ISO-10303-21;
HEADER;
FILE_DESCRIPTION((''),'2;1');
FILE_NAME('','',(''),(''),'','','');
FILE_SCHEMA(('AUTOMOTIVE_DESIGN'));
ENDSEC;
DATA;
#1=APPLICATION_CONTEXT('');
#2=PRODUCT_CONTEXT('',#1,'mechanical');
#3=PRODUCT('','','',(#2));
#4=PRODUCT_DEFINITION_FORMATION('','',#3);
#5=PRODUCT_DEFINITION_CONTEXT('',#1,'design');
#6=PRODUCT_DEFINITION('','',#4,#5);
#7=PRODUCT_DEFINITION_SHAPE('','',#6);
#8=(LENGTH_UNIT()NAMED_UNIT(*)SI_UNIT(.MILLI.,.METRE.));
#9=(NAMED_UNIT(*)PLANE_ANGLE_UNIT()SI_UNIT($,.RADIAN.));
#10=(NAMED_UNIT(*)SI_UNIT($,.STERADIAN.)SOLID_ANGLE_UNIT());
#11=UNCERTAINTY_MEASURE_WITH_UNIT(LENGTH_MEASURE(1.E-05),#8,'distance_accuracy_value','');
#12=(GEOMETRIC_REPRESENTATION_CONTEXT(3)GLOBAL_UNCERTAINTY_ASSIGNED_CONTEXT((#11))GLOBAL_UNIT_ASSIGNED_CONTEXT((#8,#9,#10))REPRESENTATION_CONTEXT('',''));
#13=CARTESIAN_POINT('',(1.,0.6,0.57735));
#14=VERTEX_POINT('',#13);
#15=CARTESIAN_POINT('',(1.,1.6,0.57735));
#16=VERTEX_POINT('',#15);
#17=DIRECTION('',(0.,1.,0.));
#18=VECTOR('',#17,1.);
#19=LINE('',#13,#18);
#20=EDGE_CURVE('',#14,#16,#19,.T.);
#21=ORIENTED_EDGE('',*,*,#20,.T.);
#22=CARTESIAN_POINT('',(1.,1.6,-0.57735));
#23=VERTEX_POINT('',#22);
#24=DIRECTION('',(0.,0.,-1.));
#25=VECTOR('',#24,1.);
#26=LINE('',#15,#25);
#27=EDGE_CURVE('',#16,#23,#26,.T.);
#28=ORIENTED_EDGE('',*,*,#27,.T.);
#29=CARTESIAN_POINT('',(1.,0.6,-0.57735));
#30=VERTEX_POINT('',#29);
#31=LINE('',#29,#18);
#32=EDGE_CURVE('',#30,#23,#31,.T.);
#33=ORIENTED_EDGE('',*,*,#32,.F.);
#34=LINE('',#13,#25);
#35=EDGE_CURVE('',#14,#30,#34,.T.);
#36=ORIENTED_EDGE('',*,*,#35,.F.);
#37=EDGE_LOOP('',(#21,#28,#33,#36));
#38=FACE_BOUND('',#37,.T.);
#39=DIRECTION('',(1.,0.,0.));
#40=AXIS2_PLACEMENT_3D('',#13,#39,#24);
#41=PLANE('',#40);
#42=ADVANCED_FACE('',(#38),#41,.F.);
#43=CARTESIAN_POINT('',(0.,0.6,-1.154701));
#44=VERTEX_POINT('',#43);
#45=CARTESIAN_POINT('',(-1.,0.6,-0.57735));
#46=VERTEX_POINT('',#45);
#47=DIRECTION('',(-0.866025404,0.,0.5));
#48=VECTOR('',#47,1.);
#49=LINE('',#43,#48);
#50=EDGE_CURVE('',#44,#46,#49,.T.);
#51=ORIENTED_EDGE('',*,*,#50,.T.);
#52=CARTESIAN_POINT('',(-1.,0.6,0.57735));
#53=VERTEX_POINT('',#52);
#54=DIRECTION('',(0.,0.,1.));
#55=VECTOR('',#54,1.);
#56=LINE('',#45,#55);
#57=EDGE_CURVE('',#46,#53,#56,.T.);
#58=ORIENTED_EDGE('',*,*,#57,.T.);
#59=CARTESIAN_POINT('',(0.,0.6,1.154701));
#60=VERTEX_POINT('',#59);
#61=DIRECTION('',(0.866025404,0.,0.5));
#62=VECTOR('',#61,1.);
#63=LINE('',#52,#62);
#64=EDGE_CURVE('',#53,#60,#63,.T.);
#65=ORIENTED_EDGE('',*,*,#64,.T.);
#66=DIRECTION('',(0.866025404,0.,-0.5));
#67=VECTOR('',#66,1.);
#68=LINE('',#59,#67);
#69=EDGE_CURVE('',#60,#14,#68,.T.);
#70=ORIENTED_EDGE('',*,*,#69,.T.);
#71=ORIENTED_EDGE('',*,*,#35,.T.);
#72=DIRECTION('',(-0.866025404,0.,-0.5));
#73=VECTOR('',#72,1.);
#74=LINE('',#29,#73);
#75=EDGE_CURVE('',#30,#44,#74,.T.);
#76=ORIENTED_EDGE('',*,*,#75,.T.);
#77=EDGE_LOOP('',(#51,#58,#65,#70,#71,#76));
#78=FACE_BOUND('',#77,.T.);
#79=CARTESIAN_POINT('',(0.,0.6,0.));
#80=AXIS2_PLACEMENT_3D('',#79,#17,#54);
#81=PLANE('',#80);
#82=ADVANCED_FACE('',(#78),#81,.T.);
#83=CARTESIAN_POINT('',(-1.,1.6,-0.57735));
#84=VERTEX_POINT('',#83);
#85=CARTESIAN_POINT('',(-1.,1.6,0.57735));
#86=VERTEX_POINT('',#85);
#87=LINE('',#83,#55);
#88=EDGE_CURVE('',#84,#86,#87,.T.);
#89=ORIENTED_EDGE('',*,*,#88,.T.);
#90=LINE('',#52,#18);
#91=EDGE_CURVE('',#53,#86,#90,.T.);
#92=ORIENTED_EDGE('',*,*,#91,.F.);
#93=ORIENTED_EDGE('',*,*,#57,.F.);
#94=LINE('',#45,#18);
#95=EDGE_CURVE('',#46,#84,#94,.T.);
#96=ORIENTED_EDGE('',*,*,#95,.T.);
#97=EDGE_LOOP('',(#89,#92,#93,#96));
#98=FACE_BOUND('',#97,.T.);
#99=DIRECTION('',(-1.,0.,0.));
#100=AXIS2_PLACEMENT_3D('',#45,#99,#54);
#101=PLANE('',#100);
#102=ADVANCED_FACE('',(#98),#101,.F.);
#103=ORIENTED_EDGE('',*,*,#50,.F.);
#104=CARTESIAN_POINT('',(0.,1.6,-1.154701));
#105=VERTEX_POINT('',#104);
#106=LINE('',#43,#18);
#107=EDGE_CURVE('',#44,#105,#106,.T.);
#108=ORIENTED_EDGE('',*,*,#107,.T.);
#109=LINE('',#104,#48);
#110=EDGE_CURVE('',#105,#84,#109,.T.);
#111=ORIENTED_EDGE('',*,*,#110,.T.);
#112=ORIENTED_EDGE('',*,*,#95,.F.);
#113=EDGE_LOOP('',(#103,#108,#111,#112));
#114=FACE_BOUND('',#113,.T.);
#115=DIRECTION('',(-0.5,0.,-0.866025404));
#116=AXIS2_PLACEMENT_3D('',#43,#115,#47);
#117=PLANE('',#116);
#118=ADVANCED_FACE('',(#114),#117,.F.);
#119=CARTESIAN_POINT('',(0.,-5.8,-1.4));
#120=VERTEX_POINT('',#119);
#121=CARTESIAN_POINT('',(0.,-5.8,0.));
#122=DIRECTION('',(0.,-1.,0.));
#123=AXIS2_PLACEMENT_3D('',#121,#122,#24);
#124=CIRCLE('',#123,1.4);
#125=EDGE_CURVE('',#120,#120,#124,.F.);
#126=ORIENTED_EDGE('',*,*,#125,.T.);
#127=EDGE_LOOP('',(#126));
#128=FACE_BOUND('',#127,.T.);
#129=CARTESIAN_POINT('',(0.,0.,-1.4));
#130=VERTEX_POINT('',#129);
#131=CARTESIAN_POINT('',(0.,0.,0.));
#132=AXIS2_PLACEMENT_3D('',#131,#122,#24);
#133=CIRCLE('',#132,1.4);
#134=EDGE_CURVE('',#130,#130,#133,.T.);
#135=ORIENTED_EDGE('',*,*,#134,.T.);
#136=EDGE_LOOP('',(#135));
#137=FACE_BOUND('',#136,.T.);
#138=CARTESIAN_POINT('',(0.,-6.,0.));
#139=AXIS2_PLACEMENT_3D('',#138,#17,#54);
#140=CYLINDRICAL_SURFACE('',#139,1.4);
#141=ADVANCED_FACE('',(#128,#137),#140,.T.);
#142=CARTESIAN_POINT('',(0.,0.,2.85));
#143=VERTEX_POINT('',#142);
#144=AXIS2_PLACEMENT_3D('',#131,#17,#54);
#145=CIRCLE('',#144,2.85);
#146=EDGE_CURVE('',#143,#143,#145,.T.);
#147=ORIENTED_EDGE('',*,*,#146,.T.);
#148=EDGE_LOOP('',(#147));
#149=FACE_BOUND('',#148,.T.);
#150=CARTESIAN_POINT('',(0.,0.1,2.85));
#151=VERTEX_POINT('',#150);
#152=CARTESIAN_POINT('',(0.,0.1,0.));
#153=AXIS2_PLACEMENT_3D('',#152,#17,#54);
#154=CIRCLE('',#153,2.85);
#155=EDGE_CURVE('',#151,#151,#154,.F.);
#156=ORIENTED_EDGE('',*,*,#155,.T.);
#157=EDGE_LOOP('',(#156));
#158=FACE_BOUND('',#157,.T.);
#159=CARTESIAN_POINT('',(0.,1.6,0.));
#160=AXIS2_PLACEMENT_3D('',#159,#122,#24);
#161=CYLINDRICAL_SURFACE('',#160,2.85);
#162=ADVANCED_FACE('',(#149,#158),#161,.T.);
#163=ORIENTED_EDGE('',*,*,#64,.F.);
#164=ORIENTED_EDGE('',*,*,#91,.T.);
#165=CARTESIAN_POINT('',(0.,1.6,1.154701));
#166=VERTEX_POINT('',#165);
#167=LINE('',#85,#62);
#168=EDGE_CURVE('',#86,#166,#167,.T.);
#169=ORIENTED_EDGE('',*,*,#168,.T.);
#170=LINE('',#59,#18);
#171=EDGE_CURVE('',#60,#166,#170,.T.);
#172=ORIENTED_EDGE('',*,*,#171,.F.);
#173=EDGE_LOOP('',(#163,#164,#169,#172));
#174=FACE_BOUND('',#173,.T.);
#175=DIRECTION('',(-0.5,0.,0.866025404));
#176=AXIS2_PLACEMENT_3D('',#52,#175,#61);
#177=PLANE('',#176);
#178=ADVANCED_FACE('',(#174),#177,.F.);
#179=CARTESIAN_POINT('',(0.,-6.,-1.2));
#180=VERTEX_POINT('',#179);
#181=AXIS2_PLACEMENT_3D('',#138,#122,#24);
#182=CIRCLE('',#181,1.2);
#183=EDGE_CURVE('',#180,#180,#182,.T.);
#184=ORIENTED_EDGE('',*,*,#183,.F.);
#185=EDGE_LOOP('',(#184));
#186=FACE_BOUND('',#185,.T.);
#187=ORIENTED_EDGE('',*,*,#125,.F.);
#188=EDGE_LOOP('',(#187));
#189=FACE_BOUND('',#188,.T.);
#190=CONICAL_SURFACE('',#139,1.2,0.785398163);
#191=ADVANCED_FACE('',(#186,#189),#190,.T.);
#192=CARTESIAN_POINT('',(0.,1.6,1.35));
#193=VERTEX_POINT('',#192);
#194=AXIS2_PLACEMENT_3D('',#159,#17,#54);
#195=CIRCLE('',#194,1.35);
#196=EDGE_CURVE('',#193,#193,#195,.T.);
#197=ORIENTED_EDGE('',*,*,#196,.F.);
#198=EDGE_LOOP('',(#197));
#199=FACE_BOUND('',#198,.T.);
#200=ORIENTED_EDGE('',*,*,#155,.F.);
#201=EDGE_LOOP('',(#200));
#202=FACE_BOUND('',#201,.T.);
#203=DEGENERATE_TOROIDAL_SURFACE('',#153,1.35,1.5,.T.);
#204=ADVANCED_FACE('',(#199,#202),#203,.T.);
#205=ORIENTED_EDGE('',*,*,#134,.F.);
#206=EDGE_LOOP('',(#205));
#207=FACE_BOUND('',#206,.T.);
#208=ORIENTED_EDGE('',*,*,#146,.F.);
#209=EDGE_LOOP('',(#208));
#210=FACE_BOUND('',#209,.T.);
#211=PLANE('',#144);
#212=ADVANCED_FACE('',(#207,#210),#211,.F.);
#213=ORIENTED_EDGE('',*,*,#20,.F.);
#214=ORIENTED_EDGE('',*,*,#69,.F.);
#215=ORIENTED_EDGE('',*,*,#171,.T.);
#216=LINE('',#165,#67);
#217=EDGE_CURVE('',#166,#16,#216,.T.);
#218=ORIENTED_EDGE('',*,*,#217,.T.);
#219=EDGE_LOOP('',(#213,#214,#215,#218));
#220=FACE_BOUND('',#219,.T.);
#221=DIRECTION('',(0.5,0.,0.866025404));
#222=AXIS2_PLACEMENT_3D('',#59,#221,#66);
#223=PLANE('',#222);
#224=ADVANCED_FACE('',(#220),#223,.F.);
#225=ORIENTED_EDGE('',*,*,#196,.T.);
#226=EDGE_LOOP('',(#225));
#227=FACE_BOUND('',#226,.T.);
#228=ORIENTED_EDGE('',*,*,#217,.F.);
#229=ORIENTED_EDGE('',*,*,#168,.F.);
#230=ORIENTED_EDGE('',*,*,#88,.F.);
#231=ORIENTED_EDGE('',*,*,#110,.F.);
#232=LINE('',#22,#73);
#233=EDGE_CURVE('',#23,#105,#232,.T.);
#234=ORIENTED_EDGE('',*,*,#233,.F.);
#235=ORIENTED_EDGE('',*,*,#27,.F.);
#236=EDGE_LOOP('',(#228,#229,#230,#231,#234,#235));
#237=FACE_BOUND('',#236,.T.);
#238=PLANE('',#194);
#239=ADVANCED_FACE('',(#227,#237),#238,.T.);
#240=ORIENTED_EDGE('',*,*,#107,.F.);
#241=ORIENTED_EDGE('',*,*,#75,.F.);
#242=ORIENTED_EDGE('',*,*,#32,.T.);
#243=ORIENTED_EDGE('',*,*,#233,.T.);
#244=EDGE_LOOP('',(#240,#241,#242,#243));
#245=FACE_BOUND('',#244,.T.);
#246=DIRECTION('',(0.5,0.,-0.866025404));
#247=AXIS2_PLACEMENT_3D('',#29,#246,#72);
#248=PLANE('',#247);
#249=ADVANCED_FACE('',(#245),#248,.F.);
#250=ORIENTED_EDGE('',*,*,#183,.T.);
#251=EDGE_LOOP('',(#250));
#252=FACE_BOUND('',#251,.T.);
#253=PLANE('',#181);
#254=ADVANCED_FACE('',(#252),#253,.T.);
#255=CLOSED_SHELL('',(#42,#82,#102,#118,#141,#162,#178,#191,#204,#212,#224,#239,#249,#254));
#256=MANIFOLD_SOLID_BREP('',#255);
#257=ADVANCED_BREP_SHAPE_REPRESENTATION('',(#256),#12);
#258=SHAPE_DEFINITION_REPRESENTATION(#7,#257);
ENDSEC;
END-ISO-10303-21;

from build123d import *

# Parameters (mm, degrees)
SKETCH_1_R          = 2.85
EXTRUDE_1_DEPTH     = 1.6
CUT_EXTRUDE_1_DEPTH = 1
FILLET_1_R          = 1.5
SKETCH_3_R          = 1.4
EXTRUDE_2_DEPTH     = 6
CHAMFER_1_SIZE      = 0.2


with BuildPart() as part:
    # 草图1 → 凸台-拉伸1 (new body)
    with BuildSketch(Plane(origin=(0, 0, 0), x_dir=(1, 0, 0), z_dir=(0, 1, 0))):
        Circle(SKETCH_1_R)
    extrude(amount=EXTRUDE_1_DEPTH)

    # 草图2 → 切除-拉伸1 (cut)
    with BuildSketch(Plane(origin=(0, 1.6, 0), x_dir=(1, 0, 0), z_dir=(0, 1, 0))):
        Polygon((0, -1.154700538), (1, -0.577350269), (1, 0.577350269), (0, 1.154700538), (-1, 0.577350269), (-1, -0.577350269), align=None)
    extrude(amount=-CUT_EXTRUDE_1_DEPTH, mode=Mode.SUBTRACT)

    # 圆角1
    fillet_1_edges = [part.edges().sort_by_distance(p)[0] for p in [
        (-2.85, 1.6, 0),
    ]]
    fillet(fillet_1_edges, radius=FILLET_1_R)

    # 草图3 → 凸台-拉伸2 (add)
    with BuildSketch(Plane.XZ):
        Circle(SKETCH_3_R)
    extrude(amount=EXTRUDE_2_DEPTH)

    # 倒角1
    chamfer_1_edges = [part.edges().sort_by_distance(p)[0] for p in [
        (-1.4, -6, 0),
    ]]
    chamfer(chamfer_1_edges, length=CHAMFER_1_SIZE)


solid = part.part
